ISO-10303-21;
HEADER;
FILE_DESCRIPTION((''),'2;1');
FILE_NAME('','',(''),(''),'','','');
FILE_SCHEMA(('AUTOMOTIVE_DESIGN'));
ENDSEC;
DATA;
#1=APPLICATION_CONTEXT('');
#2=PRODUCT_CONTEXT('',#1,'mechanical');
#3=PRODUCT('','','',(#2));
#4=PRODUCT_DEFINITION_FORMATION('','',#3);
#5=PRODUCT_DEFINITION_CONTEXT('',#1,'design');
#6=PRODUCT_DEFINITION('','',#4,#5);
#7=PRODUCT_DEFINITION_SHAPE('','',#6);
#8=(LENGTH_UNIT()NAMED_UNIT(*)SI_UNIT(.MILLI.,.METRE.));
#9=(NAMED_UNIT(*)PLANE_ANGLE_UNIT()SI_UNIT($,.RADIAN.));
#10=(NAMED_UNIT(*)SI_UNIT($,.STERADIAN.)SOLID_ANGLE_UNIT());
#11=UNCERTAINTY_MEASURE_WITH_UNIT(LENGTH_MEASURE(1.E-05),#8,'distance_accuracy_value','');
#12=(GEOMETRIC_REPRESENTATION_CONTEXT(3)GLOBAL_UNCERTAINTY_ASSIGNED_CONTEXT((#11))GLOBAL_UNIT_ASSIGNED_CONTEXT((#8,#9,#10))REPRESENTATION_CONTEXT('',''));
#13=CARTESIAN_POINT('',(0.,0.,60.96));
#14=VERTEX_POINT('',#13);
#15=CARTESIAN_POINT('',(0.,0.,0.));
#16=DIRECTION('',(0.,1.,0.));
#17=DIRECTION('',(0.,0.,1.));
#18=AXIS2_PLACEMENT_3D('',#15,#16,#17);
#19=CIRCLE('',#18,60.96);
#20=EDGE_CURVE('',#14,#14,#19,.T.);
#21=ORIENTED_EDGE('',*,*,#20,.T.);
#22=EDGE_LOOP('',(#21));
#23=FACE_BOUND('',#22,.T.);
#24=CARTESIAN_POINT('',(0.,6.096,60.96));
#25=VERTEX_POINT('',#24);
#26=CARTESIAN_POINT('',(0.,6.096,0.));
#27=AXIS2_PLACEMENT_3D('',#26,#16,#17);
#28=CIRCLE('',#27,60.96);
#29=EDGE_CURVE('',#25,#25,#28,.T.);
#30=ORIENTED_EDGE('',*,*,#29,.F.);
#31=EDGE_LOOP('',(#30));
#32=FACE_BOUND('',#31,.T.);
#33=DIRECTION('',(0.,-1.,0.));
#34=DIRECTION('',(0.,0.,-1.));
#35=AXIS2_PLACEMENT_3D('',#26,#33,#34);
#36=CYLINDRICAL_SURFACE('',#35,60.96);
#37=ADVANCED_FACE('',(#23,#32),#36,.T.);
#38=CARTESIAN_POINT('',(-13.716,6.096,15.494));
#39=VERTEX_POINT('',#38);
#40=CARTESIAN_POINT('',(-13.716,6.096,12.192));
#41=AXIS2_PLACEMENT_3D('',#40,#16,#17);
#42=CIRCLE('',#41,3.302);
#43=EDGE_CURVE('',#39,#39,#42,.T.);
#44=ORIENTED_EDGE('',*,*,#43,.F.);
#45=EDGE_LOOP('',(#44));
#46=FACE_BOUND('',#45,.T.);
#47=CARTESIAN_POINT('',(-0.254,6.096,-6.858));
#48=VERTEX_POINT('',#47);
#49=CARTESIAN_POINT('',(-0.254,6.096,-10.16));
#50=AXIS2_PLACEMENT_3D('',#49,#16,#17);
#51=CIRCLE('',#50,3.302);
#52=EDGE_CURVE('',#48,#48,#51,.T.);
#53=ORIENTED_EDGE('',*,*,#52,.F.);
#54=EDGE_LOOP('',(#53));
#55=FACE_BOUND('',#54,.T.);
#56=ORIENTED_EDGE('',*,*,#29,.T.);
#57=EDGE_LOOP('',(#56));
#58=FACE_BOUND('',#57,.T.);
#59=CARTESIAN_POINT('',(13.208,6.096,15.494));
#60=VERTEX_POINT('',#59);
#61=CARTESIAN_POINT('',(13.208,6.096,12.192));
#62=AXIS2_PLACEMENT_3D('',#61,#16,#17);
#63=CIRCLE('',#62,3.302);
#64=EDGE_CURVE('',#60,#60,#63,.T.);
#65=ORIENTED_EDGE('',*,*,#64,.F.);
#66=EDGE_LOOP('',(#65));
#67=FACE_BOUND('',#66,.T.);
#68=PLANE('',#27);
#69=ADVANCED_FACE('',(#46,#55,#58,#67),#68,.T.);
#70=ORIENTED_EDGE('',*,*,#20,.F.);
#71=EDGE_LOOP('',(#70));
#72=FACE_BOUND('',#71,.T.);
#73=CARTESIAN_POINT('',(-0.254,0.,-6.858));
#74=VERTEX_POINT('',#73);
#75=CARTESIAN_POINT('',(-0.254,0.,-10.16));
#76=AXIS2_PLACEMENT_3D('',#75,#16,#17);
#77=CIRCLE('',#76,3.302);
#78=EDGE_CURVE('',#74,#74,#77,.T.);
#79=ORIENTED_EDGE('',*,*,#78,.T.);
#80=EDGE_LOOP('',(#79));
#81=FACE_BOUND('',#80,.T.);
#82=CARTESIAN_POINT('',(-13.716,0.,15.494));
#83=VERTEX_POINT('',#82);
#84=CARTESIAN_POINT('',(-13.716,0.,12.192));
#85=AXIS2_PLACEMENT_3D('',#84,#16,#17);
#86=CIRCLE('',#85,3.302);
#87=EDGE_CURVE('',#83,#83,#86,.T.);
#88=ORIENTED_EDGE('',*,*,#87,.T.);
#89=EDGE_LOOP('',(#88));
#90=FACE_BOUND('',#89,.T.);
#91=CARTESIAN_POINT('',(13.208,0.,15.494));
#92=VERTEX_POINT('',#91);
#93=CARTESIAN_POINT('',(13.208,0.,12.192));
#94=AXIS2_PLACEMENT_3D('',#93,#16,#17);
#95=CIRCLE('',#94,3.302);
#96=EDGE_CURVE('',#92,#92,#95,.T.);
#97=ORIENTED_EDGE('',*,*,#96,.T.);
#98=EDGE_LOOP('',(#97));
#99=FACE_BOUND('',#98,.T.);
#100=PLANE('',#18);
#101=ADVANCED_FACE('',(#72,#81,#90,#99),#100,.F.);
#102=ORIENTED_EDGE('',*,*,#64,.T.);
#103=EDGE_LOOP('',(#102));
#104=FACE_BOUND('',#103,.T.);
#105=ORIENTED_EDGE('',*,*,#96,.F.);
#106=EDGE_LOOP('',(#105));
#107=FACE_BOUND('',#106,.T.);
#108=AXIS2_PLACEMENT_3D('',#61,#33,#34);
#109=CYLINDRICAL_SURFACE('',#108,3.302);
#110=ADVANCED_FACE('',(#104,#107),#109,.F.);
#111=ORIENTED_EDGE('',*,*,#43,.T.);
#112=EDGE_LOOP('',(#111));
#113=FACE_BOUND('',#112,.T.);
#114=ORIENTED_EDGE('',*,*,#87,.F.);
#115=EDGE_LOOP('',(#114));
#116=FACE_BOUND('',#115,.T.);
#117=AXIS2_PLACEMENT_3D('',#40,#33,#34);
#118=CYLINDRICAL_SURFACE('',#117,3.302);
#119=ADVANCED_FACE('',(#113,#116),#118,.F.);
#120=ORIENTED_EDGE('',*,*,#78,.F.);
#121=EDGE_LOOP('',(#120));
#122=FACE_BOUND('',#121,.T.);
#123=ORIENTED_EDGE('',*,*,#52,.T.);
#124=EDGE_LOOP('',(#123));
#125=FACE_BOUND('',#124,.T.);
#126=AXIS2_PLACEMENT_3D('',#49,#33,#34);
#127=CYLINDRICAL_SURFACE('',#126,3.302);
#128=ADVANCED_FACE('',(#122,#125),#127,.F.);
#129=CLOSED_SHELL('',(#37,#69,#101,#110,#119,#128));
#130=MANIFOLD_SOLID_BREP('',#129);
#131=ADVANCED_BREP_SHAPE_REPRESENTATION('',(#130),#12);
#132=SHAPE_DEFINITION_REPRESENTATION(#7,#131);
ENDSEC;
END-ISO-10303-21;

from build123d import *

# Parameters (mm, degrees)
SKETCH1_R      = 60.96
SKETCH1_R_2    = 3.302
EXTRUDE1_DEPTH = 6.096


with BuildPart() as part:
    # Sketch1 → Extrude1 (new body)
    with BuildSketch(Plane(origin=(0, 0, 0), x_dir=(1, 0, 0), z_dir=(0, 1, 0))):
        Circle(SKETCH1_R)
        with Locations((-0.254, 10.16)):
            Circle(SKETCH1_R_2, mode=Mode.SUBTRACT)
        with Locations((-13.716, -12.192)):
            Circle(SKETCH1_R_2, mode=Mode.SUBTRACT)
        with Locations((13.208, -12.192)):
            Circle(SKETCH1_R_2, mode=Mode.SUBTRACT)
    extrude(amount=EXTRUDE1_DEPTH)


solid = part.part
